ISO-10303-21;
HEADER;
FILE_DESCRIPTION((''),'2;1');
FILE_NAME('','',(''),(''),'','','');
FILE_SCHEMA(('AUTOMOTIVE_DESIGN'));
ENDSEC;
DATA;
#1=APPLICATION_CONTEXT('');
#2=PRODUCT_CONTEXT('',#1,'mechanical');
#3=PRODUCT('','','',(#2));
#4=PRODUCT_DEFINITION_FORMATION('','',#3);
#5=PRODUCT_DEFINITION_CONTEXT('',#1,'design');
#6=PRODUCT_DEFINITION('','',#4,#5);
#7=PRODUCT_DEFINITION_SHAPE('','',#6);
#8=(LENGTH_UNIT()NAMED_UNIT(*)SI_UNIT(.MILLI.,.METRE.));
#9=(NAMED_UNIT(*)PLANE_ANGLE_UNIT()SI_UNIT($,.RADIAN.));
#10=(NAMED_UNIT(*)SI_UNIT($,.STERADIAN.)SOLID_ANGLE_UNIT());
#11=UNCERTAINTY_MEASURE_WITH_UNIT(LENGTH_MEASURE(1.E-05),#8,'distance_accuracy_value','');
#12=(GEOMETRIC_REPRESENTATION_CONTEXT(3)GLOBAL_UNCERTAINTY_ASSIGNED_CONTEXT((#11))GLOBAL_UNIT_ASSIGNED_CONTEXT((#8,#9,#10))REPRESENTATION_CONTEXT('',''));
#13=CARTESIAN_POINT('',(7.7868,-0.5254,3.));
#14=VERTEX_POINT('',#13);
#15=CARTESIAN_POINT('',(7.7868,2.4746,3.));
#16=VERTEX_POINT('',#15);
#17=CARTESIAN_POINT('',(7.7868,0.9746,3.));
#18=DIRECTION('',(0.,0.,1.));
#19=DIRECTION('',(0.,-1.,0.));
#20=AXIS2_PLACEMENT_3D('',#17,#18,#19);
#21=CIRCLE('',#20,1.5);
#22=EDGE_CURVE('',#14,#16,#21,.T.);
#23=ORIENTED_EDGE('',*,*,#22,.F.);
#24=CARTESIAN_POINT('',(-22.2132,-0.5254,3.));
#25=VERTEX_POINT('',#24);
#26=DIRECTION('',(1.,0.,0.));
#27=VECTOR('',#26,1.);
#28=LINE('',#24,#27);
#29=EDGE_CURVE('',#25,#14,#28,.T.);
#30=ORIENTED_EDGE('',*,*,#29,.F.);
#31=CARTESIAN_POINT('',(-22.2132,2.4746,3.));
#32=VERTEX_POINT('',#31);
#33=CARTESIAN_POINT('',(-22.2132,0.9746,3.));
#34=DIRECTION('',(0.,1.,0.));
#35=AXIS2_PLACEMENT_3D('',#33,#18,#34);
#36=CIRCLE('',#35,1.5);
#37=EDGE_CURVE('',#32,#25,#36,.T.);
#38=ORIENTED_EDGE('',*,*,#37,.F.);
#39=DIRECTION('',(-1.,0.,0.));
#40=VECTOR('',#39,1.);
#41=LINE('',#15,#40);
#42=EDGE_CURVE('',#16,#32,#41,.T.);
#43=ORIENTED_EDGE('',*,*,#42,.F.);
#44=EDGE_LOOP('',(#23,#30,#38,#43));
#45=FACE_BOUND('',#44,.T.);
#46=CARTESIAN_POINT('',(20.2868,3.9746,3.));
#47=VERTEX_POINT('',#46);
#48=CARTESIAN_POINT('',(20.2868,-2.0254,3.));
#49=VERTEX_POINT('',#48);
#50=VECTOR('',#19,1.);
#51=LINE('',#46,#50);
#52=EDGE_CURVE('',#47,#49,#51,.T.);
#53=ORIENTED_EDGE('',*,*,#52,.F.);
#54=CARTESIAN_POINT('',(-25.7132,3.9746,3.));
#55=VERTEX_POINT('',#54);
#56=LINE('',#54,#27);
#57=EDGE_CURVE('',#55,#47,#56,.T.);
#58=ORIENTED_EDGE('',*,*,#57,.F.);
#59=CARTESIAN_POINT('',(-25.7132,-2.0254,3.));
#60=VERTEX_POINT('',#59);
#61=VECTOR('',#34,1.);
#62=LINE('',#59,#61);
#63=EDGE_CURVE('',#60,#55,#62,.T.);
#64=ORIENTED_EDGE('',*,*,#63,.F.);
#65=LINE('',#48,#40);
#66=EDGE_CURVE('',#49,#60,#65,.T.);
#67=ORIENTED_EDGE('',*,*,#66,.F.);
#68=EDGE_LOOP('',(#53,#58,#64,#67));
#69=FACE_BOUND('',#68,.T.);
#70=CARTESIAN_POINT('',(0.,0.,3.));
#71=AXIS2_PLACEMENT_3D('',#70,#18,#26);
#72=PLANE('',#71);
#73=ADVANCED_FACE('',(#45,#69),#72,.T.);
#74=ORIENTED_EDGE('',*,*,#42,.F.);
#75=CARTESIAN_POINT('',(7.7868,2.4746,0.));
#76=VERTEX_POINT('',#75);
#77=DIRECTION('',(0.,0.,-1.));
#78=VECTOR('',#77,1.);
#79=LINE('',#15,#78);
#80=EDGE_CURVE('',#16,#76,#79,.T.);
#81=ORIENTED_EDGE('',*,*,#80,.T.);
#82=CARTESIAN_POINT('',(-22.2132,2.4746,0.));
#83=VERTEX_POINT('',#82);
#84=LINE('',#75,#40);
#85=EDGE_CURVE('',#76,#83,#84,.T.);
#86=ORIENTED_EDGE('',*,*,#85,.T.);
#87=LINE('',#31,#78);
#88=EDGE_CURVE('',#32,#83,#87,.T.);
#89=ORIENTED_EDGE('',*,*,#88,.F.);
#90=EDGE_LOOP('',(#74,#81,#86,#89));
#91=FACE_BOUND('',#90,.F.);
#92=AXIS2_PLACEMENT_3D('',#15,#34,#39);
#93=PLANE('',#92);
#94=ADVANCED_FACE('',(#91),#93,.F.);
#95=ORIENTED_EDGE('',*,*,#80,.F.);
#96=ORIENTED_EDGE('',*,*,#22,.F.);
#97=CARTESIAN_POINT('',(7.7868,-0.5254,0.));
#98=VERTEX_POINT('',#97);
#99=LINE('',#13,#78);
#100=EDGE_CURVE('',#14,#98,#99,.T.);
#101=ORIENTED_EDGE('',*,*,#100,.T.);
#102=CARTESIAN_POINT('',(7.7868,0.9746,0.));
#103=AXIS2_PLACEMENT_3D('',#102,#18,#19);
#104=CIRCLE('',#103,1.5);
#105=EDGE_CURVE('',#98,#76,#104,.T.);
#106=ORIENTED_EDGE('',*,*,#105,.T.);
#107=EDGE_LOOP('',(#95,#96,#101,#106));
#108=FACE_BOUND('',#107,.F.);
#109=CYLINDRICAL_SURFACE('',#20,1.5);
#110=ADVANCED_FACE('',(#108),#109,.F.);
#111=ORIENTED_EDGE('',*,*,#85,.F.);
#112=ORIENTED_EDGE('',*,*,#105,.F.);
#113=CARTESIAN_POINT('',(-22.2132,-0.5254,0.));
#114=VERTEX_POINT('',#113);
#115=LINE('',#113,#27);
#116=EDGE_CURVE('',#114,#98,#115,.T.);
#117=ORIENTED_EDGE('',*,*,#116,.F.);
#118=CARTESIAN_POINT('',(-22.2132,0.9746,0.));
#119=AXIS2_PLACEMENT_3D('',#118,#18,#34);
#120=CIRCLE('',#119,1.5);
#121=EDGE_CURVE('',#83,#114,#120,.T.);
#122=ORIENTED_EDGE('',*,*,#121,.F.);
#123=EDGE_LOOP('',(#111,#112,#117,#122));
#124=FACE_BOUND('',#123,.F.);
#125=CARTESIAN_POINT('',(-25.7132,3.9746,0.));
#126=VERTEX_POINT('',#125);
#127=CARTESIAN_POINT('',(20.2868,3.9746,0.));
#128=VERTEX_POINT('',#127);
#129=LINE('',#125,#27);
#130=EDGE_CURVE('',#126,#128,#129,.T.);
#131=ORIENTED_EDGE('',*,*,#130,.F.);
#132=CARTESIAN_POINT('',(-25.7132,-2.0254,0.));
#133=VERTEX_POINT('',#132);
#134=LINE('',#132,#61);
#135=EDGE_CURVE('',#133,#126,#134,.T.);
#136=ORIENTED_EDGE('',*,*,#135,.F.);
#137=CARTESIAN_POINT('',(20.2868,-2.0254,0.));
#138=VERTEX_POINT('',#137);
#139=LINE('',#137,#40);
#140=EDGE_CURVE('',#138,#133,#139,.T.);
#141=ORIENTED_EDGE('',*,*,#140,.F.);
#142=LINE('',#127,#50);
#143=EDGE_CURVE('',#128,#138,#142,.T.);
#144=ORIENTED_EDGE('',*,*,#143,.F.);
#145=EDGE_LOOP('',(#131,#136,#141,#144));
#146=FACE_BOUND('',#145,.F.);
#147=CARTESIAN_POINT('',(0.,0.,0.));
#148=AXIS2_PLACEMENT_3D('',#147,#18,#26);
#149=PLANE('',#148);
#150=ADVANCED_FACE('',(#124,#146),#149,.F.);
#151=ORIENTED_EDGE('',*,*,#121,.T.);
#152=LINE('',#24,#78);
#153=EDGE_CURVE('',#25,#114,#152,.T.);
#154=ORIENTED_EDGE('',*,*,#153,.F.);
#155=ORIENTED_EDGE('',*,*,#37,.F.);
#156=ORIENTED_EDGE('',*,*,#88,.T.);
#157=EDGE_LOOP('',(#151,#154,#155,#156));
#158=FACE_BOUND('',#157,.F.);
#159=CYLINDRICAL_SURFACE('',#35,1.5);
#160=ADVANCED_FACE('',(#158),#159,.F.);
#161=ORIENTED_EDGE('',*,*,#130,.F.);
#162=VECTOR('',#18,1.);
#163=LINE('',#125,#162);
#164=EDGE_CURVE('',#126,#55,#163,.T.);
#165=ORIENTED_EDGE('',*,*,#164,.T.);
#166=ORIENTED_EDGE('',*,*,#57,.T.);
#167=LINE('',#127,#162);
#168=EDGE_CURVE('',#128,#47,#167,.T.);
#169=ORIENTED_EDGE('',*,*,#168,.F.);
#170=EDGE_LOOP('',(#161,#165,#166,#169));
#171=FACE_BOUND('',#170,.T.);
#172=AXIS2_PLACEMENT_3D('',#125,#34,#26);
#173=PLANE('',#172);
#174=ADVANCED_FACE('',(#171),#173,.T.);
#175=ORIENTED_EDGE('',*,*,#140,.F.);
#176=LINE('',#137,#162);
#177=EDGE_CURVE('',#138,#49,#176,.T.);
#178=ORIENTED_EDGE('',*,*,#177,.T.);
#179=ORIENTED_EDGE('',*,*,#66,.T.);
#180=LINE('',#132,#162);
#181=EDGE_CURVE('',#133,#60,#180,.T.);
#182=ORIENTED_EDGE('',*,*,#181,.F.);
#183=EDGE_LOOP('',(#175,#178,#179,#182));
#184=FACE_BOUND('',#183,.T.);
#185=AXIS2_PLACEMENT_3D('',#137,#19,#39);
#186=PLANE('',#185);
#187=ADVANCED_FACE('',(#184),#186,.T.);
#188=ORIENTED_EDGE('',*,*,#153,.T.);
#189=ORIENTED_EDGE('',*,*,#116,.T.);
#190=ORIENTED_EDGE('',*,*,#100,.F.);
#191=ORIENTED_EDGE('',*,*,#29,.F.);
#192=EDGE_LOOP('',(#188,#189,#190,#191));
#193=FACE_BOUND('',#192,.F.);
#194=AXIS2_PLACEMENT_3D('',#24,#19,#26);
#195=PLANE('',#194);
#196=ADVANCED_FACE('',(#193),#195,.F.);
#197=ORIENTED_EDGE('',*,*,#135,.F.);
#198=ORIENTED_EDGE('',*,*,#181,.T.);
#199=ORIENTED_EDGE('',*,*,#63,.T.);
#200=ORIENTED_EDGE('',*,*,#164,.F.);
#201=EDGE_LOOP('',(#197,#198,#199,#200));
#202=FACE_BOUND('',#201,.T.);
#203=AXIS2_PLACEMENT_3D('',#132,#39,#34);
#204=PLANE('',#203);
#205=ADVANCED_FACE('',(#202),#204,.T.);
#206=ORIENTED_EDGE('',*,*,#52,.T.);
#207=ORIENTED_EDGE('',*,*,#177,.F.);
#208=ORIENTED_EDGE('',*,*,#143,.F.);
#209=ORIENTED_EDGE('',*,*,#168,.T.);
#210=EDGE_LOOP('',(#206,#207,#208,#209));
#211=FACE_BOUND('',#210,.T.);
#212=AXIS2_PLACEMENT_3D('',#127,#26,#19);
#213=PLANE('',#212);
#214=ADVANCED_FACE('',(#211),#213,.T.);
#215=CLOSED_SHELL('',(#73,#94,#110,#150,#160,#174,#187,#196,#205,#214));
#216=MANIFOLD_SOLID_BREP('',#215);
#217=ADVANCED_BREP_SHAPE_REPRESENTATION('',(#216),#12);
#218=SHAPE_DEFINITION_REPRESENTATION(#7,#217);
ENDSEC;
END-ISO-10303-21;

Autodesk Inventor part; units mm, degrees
ref_plane "YZ Plane" through (0, 0, 0) normal (1, 0, 0) x (0, 1, 0)
ref_plane "XZ Plane" through (0, 0, 0) normal (0, 1, 0) x (-1, 0, 0)
ref_plane "XY Plane" through (0, 0, 0) normal (0, 0, 1) x (1, 0, 0)
sketch "スケッチ1" plane through (0, 0, 0) normal (0, 0, 1) x (1, 0, 0)
  line L0 (-25.7132, 3.9746) -> (20.2868, 3.9746)
  line L1 (20.2868, 3.9746) -> (20.2868, -2.0254)
  line L2 (20.2868, -2.0254) -> (-25.7132, -2.0254)
  line L3 (-25.7132, -2.0254) -> (-25.7132, 3.9746)
  point P0 (0, 0)
  dimension "d0" = 46
  dimension "d1" = 6
extrude "押し出し1" add sketch "スケッチ1" along normal blind 3
sketch "スケッチ2" plane through (0, 0, 3) normal (0, 0, 1) x (1, 0, 0)
  line L0 (-22.2132, 0.9746) -> (7.7868, 0.9746) construction
  line L1 (-22.2132, -0.5254) -> (7.7868, -0.5254)
  line L2 (7.7868, 2.4746) -> (-22.2132, 2.4746)
  arc A0 (-22.2132, 2.4746) -> (-22.2132, -0.5254) centre (-22.2132, 0.9746) ccw
  arc A1 (7.7868, -0.5254) -> (7.7868, 2.4746) centre (7.7868, 0.9746) ccw
  line L3 (-25.7132, 3.9746) -> (-25.7132, -2.0254) projected
  line L4 (20.2868, 3.9746) -> (-25.7132, 3.9746) projected
  point P0 (0, 0)
  point P1 (-7.2132, 0.9746)
  dimension "d4" = 30
  dimension "d5" = 3
  dimension "d6" = 3.5
  dimension "d7" = 3
extrude "押し出し2" cut sketch "スケッチ2" against normal blind 3
equation "\"BendRadius\" = Thickness"
equation "\"BendReliefWidth\" = Thickness"
equation "\"BendReliefDepth\" = 0.5 * Thickness"
equation "\"CornerReliefSize\" = 4 * Thickness"
equation "\"MinimumRemnant\" = 2 * Thickness"
equation "\"TransitionRadius\" = BendRadius"
equation "\"JacobiRadiusSize\" = BendRadius"
equation "\"GapSize\" = Thickness"
equation "\"Thickness\" = 0.5"
properties part number "creat3"
